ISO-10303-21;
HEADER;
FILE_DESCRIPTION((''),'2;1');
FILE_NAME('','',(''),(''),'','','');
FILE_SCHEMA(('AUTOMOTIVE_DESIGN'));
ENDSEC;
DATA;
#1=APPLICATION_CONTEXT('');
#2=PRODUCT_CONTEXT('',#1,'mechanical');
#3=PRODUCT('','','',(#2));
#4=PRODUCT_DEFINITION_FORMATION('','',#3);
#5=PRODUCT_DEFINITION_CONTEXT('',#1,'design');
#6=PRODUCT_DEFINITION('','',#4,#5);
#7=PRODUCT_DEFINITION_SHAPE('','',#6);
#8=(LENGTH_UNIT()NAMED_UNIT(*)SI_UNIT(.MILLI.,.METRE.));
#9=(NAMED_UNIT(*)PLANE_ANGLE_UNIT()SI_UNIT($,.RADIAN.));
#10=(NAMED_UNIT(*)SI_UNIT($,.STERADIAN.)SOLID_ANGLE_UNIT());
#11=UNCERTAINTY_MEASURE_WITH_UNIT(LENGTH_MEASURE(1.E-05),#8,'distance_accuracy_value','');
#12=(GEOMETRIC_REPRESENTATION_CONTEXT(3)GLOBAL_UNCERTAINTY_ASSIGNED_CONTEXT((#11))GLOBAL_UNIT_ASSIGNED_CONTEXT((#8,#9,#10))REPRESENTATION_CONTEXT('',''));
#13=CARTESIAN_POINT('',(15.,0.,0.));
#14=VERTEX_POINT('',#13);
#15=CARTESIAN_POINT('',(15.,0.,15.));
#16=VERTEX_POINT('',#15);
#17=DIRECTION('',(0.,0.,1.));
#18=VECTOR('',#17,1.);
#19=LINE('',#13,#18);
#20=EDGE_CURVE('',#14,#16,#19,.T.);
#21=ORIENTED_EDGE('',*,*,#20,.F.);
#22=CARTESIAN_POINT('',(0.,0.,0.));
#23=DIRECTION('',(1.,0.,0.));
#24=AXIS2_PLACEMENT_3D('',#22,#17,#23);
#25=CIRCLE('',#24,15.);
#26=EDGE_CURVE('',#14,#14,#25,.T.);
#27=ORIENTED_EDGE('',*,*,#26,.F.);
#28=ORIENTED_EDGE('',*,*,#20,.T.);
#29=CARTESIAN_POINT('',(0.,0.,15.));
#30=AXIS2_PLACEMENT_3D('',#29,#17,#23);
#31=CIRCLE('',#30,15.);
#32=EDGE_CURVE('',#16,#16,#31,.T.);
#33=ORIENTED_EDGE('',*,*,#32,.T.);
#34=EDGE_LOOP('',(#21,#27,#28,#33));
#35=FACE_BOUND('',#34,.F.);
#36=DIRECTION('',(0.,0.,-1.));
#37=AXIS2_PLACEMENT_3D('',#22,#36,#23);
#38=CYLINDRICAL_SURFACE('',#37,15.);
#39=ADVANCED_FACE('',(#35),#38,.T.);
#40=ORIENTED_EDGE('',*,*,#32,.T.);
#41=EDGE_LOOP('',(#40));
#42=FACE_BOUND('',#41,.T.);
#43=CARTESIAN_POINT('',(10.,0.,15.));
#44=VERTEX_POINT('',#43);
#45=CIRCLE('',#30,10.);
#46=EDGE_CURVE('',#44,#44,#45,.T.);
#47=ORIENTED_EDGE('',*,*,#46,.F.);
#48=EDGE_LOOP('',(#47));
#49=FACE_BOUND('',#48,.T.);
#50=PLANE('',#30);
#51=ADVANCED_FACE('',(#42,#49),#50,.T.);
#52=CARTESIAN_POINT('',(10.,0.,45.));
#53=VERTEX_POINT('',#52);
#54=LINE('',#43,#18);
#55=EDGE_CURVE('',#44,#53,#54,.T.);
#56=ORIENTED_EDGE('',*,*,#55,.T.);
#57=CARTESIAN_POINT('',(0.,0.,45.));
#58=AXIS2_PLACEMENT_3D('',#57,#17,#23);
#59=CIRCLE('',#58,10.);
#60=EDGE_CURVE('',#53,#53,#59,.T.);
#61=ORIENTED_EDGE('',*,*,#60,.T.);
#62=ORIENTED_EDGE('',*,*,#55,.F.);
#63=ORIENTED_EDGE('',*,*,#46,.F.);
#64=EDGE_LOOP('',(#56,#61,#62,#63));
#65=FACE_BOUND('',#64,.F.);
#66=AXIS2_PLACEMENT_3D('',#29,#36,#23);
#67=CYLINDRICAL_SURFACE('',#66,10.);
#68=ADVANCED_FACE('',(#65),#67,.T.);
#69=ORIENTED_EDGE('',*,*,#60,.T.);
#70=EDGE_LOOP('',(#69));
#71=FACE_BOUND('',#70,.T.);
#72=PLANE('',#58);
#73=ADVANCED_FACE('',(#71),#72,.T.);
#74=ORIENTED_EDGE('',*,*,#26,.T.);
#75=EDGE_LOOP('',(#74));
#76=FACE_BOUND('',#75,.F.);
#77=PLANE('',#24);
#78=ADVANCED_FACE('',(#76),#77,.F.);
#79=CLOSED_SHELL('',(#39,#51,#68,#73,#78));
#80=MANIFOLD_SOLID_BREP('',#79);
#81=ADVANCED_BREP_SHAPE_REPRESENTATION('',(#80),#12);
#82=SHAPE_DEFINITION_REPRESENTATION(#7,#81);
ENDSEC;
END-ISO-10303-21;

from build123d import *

# Parameters (mm, degrees)
SKETCH_R     = 15
PAD_DEPTH    = 15
SKETCH001_R  = 10
PAD001_DEPTH = 30


with BuildPart() as part:
    # Sketch → Pad (new body)
    with BuildSketch(Plane.XY):
        Circle(SKETCH_R)
    extrude(amount=PAD_DEPTH)

    # Sketch001 (on Face3 of Pad) → Pad001 (join)
    with BuildSketch(Plane.XY.offset(15)):
        Circle(SKETCH001_R)
    extrude(amount=PAD001_DEPTH)


solid = part.part
